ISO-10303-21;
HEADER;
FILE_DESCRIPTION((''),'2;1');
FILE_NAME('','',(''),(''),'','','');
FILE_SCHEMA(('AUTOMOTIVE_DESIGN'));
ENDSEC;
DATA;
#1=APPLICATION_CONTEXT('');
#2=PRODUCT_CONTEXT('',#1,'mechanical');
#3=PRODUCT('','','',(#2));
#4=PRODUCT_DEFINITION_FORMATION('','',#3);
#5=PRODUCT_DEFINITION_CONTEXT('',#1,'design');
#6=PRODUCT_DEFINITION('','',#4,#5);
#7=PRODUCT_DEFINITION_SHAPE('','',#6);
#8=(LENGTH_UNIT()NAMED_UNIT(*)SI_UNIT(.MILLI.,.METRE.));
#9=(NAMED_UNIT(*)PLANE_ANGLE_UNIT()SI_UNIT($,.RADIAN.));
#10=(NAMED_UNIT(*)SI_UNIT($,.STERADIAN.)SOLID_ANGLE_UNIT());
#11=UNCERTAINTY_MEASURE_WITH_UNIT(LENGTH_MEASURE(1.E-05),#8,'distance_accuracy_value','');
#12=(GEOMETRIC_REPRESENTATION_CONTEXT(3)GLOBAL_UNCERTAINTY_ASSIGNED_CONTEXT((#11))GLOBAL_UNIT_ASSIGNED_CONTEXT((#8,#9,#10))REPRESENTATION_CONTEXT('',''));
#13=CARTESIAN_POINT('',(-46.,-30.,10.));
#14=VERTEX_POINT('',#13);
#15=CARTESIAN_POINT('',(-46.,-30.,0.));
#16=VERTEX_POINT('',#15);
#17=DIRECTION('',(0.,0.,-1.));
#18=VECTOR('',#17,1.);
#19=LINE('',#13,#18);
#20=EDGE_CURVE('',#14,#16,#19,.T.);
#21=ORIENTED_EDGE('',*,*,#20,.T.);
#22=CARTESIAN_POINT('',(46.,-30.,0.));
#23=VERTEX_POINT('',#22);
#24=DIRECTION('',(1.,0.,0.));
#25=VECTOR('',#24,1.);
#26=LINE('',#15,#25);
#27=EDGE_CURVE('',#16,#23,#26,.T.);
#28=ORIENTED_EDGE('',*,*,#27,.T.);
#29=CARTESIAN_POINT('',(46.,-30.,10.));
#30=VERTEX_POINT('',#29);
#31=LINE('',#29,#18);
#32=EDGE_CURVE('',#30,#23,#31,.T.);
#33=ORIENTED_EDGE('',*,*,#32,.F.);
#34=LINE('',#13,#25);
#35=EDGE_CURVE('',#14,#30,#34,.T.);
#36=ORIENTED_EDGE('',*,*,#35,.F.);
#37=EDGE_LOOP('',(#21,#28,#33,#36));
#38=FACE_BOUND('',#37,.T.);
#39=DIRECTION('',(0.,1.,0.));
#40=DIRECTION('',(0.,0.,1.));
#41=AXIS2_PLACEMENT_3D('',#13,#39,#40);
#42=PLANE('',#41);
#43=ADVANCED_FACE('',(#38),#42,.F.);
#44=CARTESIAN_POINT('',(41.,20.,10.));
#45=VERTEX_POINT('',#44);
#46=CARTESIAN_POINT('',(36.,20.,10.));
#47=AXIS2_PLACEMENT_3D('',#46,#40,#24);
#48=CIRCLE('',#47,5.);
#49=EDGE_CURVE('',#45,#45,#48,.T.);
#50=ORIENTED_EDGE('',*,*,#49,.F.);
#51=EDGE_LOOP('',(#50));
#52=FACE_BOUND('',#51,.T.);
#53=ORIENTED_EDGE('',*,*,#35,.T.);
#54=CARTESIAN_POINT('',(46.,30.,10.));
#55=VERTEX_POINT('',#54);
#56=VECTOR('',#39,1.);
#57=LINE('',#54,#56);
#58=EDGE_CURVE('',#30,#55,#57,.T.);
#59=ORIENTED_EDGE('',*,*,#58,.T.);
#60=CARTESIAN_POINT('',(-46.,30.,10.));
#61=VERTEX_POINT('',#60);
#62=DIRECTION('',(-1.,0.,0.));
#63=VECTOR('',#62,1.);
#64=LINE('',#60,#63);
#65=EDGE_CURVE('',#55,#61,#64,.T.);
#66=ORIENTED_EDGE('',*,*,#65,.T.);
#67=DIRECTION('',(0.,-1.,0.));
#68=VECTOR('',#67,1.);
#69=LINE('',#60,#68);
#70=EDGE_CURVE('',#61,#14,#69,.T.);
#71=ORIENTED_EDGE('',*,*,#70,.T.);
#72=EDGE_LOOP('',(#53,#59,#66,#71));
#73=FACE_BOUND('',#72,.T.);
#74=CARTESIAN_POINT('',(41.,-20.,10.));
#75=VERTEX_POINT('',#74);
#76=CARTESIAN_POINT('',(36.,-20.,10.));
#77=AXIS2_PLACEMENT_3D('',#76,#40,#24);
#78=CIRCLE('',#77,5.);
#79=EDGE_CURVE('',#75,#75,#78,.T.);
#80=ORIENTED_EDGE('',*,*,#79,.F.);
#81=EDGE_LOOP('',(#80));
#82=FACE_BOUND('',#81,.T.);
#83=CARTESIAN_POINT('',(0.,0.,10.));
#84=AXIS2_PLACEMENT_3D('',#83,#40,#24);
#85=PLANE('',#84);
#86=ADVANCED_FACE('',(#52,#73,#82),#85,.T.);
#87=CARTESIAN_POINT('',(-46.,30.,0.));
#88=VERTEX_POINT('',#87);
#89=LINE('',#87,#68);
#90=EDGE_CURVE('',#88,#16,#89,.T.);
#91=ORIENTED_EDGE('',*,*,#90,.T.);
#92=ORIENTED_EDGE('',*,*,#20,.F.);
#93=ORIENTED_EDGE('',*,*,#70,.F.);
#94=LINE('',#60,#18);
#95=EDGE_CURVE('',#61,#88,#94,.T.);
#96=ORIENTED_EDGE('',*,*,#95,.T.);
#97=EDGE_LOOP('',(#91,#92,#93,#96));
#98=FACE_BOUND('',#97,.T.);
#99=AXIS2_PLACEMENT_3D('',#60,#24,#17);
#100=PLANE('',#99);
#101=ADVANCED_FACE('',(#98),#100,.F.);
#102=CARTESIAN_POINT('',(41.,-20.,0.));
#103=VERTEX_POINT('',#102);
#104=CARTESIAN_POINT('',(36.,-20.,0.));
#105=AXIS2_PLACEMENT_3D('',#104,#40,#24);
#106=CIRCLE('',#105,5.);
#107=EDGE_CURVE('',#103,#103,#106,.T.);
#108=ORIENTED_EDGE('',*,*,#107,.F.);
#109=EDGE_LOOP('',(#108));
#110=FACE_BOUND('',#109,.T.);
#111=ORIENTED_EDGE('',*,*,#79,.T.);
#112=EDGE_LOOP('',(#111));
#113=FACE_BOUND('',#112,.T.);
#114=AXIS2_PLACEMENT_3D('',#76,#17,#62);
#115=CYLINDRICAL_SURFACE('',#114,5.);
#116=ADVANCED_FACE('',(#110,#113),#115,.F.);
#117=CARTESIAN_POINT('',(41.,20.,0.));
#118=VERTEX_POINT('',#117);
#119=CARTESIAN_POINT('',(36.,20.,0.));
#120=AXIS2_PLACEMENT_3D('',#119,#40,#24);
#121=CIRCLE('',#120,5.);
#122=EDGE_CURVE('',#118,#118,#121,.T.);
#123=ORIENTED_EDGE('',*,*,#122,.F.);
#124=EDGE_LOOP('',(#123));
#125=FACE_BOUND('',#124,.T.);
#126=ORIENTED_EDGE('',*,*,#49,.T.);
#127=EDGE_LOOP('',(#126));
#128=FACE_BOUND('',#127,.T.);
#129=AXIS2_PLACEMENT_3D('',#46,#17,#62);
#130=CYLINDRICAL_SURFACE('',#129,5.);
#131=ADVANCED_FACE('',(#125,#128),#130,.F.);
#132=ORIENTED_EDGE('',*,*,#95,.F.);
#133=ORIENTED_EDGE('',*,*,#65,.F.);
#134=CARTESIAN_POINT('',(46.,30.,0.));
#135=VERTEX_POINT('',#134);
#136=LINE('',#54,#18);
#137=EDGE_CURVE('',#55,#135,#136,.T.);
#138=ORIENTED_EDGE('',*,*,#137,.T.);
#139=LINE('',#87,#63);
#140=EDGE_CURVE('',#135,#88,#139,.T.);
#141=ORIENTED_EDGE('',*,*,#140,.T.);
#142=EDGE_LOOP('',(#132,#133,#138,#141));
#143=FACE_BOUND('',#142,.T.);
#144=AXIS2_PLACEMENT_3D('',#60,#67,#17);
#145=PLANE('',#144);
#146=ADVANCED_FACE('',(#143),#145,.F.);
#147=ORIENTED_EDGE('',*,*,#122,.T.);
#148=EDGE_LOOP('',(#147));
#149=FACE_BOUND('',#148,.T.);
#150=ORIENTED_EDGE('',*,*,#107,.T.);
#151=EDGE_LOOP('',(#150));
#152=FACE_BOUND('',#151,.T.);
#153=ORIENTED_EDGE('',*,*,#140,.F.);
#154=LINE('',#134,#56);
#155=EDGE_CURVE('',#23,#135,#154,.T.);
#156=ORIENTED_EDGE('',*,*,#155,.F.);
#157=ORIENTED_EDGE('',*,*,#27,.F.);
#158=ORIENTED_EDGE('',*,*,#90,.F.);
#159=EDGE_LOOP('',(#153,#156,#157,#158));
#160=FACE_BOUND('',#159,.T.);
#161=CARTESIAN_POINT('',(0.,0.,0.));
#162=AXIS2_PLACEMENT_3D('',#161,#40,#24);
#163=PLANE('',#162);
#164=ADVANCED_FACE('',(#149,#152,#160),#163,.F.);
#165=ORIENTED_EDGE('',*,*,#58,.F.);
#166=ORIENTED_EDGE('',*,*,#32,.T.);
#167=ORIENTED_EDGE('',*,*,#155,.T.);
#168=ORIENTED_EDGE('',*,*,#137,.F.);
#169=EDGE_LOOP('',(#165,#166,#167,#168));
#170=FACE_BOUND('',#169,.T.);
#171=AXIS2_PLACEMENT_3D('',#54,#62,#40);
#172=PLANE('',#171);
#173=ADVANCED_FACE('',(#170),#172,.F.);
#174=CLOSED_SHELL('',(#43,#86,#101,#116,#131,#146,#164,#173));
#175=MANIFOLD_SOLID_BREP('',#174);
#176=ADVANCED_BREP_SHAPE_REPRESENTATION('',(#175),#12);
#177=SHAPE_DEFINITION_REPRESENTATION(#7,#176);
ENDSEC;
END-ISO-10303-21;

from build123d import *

# Parameters (mm, degrees)
SZKIC1_W                    = 92
SZKIC1_H                    = 60
SZKIC1_R                    = 5
DODANIE_WYCI_GNI_CIE1_DEPTH = 10


with BuildPart() as part:
    # Szkic1 → Dodanie-wyciągnięcie1 (new body)
    with BuildSketch(Plane.XY):
        Rectangle(SZKIC1_W, SZKIC1_H)
        with Locations((36, -20)):
            Circle(SZKIC1_R, mode=Mode.SUBTRACT)
        with Locations((36, 20)):
            Circle(SZKIC1_R, mode=Mode.SUBTRACT)
    extrude(amount=DODANIE_WYCI_GNI_CIE1_DEPTH)


solid = part.part
